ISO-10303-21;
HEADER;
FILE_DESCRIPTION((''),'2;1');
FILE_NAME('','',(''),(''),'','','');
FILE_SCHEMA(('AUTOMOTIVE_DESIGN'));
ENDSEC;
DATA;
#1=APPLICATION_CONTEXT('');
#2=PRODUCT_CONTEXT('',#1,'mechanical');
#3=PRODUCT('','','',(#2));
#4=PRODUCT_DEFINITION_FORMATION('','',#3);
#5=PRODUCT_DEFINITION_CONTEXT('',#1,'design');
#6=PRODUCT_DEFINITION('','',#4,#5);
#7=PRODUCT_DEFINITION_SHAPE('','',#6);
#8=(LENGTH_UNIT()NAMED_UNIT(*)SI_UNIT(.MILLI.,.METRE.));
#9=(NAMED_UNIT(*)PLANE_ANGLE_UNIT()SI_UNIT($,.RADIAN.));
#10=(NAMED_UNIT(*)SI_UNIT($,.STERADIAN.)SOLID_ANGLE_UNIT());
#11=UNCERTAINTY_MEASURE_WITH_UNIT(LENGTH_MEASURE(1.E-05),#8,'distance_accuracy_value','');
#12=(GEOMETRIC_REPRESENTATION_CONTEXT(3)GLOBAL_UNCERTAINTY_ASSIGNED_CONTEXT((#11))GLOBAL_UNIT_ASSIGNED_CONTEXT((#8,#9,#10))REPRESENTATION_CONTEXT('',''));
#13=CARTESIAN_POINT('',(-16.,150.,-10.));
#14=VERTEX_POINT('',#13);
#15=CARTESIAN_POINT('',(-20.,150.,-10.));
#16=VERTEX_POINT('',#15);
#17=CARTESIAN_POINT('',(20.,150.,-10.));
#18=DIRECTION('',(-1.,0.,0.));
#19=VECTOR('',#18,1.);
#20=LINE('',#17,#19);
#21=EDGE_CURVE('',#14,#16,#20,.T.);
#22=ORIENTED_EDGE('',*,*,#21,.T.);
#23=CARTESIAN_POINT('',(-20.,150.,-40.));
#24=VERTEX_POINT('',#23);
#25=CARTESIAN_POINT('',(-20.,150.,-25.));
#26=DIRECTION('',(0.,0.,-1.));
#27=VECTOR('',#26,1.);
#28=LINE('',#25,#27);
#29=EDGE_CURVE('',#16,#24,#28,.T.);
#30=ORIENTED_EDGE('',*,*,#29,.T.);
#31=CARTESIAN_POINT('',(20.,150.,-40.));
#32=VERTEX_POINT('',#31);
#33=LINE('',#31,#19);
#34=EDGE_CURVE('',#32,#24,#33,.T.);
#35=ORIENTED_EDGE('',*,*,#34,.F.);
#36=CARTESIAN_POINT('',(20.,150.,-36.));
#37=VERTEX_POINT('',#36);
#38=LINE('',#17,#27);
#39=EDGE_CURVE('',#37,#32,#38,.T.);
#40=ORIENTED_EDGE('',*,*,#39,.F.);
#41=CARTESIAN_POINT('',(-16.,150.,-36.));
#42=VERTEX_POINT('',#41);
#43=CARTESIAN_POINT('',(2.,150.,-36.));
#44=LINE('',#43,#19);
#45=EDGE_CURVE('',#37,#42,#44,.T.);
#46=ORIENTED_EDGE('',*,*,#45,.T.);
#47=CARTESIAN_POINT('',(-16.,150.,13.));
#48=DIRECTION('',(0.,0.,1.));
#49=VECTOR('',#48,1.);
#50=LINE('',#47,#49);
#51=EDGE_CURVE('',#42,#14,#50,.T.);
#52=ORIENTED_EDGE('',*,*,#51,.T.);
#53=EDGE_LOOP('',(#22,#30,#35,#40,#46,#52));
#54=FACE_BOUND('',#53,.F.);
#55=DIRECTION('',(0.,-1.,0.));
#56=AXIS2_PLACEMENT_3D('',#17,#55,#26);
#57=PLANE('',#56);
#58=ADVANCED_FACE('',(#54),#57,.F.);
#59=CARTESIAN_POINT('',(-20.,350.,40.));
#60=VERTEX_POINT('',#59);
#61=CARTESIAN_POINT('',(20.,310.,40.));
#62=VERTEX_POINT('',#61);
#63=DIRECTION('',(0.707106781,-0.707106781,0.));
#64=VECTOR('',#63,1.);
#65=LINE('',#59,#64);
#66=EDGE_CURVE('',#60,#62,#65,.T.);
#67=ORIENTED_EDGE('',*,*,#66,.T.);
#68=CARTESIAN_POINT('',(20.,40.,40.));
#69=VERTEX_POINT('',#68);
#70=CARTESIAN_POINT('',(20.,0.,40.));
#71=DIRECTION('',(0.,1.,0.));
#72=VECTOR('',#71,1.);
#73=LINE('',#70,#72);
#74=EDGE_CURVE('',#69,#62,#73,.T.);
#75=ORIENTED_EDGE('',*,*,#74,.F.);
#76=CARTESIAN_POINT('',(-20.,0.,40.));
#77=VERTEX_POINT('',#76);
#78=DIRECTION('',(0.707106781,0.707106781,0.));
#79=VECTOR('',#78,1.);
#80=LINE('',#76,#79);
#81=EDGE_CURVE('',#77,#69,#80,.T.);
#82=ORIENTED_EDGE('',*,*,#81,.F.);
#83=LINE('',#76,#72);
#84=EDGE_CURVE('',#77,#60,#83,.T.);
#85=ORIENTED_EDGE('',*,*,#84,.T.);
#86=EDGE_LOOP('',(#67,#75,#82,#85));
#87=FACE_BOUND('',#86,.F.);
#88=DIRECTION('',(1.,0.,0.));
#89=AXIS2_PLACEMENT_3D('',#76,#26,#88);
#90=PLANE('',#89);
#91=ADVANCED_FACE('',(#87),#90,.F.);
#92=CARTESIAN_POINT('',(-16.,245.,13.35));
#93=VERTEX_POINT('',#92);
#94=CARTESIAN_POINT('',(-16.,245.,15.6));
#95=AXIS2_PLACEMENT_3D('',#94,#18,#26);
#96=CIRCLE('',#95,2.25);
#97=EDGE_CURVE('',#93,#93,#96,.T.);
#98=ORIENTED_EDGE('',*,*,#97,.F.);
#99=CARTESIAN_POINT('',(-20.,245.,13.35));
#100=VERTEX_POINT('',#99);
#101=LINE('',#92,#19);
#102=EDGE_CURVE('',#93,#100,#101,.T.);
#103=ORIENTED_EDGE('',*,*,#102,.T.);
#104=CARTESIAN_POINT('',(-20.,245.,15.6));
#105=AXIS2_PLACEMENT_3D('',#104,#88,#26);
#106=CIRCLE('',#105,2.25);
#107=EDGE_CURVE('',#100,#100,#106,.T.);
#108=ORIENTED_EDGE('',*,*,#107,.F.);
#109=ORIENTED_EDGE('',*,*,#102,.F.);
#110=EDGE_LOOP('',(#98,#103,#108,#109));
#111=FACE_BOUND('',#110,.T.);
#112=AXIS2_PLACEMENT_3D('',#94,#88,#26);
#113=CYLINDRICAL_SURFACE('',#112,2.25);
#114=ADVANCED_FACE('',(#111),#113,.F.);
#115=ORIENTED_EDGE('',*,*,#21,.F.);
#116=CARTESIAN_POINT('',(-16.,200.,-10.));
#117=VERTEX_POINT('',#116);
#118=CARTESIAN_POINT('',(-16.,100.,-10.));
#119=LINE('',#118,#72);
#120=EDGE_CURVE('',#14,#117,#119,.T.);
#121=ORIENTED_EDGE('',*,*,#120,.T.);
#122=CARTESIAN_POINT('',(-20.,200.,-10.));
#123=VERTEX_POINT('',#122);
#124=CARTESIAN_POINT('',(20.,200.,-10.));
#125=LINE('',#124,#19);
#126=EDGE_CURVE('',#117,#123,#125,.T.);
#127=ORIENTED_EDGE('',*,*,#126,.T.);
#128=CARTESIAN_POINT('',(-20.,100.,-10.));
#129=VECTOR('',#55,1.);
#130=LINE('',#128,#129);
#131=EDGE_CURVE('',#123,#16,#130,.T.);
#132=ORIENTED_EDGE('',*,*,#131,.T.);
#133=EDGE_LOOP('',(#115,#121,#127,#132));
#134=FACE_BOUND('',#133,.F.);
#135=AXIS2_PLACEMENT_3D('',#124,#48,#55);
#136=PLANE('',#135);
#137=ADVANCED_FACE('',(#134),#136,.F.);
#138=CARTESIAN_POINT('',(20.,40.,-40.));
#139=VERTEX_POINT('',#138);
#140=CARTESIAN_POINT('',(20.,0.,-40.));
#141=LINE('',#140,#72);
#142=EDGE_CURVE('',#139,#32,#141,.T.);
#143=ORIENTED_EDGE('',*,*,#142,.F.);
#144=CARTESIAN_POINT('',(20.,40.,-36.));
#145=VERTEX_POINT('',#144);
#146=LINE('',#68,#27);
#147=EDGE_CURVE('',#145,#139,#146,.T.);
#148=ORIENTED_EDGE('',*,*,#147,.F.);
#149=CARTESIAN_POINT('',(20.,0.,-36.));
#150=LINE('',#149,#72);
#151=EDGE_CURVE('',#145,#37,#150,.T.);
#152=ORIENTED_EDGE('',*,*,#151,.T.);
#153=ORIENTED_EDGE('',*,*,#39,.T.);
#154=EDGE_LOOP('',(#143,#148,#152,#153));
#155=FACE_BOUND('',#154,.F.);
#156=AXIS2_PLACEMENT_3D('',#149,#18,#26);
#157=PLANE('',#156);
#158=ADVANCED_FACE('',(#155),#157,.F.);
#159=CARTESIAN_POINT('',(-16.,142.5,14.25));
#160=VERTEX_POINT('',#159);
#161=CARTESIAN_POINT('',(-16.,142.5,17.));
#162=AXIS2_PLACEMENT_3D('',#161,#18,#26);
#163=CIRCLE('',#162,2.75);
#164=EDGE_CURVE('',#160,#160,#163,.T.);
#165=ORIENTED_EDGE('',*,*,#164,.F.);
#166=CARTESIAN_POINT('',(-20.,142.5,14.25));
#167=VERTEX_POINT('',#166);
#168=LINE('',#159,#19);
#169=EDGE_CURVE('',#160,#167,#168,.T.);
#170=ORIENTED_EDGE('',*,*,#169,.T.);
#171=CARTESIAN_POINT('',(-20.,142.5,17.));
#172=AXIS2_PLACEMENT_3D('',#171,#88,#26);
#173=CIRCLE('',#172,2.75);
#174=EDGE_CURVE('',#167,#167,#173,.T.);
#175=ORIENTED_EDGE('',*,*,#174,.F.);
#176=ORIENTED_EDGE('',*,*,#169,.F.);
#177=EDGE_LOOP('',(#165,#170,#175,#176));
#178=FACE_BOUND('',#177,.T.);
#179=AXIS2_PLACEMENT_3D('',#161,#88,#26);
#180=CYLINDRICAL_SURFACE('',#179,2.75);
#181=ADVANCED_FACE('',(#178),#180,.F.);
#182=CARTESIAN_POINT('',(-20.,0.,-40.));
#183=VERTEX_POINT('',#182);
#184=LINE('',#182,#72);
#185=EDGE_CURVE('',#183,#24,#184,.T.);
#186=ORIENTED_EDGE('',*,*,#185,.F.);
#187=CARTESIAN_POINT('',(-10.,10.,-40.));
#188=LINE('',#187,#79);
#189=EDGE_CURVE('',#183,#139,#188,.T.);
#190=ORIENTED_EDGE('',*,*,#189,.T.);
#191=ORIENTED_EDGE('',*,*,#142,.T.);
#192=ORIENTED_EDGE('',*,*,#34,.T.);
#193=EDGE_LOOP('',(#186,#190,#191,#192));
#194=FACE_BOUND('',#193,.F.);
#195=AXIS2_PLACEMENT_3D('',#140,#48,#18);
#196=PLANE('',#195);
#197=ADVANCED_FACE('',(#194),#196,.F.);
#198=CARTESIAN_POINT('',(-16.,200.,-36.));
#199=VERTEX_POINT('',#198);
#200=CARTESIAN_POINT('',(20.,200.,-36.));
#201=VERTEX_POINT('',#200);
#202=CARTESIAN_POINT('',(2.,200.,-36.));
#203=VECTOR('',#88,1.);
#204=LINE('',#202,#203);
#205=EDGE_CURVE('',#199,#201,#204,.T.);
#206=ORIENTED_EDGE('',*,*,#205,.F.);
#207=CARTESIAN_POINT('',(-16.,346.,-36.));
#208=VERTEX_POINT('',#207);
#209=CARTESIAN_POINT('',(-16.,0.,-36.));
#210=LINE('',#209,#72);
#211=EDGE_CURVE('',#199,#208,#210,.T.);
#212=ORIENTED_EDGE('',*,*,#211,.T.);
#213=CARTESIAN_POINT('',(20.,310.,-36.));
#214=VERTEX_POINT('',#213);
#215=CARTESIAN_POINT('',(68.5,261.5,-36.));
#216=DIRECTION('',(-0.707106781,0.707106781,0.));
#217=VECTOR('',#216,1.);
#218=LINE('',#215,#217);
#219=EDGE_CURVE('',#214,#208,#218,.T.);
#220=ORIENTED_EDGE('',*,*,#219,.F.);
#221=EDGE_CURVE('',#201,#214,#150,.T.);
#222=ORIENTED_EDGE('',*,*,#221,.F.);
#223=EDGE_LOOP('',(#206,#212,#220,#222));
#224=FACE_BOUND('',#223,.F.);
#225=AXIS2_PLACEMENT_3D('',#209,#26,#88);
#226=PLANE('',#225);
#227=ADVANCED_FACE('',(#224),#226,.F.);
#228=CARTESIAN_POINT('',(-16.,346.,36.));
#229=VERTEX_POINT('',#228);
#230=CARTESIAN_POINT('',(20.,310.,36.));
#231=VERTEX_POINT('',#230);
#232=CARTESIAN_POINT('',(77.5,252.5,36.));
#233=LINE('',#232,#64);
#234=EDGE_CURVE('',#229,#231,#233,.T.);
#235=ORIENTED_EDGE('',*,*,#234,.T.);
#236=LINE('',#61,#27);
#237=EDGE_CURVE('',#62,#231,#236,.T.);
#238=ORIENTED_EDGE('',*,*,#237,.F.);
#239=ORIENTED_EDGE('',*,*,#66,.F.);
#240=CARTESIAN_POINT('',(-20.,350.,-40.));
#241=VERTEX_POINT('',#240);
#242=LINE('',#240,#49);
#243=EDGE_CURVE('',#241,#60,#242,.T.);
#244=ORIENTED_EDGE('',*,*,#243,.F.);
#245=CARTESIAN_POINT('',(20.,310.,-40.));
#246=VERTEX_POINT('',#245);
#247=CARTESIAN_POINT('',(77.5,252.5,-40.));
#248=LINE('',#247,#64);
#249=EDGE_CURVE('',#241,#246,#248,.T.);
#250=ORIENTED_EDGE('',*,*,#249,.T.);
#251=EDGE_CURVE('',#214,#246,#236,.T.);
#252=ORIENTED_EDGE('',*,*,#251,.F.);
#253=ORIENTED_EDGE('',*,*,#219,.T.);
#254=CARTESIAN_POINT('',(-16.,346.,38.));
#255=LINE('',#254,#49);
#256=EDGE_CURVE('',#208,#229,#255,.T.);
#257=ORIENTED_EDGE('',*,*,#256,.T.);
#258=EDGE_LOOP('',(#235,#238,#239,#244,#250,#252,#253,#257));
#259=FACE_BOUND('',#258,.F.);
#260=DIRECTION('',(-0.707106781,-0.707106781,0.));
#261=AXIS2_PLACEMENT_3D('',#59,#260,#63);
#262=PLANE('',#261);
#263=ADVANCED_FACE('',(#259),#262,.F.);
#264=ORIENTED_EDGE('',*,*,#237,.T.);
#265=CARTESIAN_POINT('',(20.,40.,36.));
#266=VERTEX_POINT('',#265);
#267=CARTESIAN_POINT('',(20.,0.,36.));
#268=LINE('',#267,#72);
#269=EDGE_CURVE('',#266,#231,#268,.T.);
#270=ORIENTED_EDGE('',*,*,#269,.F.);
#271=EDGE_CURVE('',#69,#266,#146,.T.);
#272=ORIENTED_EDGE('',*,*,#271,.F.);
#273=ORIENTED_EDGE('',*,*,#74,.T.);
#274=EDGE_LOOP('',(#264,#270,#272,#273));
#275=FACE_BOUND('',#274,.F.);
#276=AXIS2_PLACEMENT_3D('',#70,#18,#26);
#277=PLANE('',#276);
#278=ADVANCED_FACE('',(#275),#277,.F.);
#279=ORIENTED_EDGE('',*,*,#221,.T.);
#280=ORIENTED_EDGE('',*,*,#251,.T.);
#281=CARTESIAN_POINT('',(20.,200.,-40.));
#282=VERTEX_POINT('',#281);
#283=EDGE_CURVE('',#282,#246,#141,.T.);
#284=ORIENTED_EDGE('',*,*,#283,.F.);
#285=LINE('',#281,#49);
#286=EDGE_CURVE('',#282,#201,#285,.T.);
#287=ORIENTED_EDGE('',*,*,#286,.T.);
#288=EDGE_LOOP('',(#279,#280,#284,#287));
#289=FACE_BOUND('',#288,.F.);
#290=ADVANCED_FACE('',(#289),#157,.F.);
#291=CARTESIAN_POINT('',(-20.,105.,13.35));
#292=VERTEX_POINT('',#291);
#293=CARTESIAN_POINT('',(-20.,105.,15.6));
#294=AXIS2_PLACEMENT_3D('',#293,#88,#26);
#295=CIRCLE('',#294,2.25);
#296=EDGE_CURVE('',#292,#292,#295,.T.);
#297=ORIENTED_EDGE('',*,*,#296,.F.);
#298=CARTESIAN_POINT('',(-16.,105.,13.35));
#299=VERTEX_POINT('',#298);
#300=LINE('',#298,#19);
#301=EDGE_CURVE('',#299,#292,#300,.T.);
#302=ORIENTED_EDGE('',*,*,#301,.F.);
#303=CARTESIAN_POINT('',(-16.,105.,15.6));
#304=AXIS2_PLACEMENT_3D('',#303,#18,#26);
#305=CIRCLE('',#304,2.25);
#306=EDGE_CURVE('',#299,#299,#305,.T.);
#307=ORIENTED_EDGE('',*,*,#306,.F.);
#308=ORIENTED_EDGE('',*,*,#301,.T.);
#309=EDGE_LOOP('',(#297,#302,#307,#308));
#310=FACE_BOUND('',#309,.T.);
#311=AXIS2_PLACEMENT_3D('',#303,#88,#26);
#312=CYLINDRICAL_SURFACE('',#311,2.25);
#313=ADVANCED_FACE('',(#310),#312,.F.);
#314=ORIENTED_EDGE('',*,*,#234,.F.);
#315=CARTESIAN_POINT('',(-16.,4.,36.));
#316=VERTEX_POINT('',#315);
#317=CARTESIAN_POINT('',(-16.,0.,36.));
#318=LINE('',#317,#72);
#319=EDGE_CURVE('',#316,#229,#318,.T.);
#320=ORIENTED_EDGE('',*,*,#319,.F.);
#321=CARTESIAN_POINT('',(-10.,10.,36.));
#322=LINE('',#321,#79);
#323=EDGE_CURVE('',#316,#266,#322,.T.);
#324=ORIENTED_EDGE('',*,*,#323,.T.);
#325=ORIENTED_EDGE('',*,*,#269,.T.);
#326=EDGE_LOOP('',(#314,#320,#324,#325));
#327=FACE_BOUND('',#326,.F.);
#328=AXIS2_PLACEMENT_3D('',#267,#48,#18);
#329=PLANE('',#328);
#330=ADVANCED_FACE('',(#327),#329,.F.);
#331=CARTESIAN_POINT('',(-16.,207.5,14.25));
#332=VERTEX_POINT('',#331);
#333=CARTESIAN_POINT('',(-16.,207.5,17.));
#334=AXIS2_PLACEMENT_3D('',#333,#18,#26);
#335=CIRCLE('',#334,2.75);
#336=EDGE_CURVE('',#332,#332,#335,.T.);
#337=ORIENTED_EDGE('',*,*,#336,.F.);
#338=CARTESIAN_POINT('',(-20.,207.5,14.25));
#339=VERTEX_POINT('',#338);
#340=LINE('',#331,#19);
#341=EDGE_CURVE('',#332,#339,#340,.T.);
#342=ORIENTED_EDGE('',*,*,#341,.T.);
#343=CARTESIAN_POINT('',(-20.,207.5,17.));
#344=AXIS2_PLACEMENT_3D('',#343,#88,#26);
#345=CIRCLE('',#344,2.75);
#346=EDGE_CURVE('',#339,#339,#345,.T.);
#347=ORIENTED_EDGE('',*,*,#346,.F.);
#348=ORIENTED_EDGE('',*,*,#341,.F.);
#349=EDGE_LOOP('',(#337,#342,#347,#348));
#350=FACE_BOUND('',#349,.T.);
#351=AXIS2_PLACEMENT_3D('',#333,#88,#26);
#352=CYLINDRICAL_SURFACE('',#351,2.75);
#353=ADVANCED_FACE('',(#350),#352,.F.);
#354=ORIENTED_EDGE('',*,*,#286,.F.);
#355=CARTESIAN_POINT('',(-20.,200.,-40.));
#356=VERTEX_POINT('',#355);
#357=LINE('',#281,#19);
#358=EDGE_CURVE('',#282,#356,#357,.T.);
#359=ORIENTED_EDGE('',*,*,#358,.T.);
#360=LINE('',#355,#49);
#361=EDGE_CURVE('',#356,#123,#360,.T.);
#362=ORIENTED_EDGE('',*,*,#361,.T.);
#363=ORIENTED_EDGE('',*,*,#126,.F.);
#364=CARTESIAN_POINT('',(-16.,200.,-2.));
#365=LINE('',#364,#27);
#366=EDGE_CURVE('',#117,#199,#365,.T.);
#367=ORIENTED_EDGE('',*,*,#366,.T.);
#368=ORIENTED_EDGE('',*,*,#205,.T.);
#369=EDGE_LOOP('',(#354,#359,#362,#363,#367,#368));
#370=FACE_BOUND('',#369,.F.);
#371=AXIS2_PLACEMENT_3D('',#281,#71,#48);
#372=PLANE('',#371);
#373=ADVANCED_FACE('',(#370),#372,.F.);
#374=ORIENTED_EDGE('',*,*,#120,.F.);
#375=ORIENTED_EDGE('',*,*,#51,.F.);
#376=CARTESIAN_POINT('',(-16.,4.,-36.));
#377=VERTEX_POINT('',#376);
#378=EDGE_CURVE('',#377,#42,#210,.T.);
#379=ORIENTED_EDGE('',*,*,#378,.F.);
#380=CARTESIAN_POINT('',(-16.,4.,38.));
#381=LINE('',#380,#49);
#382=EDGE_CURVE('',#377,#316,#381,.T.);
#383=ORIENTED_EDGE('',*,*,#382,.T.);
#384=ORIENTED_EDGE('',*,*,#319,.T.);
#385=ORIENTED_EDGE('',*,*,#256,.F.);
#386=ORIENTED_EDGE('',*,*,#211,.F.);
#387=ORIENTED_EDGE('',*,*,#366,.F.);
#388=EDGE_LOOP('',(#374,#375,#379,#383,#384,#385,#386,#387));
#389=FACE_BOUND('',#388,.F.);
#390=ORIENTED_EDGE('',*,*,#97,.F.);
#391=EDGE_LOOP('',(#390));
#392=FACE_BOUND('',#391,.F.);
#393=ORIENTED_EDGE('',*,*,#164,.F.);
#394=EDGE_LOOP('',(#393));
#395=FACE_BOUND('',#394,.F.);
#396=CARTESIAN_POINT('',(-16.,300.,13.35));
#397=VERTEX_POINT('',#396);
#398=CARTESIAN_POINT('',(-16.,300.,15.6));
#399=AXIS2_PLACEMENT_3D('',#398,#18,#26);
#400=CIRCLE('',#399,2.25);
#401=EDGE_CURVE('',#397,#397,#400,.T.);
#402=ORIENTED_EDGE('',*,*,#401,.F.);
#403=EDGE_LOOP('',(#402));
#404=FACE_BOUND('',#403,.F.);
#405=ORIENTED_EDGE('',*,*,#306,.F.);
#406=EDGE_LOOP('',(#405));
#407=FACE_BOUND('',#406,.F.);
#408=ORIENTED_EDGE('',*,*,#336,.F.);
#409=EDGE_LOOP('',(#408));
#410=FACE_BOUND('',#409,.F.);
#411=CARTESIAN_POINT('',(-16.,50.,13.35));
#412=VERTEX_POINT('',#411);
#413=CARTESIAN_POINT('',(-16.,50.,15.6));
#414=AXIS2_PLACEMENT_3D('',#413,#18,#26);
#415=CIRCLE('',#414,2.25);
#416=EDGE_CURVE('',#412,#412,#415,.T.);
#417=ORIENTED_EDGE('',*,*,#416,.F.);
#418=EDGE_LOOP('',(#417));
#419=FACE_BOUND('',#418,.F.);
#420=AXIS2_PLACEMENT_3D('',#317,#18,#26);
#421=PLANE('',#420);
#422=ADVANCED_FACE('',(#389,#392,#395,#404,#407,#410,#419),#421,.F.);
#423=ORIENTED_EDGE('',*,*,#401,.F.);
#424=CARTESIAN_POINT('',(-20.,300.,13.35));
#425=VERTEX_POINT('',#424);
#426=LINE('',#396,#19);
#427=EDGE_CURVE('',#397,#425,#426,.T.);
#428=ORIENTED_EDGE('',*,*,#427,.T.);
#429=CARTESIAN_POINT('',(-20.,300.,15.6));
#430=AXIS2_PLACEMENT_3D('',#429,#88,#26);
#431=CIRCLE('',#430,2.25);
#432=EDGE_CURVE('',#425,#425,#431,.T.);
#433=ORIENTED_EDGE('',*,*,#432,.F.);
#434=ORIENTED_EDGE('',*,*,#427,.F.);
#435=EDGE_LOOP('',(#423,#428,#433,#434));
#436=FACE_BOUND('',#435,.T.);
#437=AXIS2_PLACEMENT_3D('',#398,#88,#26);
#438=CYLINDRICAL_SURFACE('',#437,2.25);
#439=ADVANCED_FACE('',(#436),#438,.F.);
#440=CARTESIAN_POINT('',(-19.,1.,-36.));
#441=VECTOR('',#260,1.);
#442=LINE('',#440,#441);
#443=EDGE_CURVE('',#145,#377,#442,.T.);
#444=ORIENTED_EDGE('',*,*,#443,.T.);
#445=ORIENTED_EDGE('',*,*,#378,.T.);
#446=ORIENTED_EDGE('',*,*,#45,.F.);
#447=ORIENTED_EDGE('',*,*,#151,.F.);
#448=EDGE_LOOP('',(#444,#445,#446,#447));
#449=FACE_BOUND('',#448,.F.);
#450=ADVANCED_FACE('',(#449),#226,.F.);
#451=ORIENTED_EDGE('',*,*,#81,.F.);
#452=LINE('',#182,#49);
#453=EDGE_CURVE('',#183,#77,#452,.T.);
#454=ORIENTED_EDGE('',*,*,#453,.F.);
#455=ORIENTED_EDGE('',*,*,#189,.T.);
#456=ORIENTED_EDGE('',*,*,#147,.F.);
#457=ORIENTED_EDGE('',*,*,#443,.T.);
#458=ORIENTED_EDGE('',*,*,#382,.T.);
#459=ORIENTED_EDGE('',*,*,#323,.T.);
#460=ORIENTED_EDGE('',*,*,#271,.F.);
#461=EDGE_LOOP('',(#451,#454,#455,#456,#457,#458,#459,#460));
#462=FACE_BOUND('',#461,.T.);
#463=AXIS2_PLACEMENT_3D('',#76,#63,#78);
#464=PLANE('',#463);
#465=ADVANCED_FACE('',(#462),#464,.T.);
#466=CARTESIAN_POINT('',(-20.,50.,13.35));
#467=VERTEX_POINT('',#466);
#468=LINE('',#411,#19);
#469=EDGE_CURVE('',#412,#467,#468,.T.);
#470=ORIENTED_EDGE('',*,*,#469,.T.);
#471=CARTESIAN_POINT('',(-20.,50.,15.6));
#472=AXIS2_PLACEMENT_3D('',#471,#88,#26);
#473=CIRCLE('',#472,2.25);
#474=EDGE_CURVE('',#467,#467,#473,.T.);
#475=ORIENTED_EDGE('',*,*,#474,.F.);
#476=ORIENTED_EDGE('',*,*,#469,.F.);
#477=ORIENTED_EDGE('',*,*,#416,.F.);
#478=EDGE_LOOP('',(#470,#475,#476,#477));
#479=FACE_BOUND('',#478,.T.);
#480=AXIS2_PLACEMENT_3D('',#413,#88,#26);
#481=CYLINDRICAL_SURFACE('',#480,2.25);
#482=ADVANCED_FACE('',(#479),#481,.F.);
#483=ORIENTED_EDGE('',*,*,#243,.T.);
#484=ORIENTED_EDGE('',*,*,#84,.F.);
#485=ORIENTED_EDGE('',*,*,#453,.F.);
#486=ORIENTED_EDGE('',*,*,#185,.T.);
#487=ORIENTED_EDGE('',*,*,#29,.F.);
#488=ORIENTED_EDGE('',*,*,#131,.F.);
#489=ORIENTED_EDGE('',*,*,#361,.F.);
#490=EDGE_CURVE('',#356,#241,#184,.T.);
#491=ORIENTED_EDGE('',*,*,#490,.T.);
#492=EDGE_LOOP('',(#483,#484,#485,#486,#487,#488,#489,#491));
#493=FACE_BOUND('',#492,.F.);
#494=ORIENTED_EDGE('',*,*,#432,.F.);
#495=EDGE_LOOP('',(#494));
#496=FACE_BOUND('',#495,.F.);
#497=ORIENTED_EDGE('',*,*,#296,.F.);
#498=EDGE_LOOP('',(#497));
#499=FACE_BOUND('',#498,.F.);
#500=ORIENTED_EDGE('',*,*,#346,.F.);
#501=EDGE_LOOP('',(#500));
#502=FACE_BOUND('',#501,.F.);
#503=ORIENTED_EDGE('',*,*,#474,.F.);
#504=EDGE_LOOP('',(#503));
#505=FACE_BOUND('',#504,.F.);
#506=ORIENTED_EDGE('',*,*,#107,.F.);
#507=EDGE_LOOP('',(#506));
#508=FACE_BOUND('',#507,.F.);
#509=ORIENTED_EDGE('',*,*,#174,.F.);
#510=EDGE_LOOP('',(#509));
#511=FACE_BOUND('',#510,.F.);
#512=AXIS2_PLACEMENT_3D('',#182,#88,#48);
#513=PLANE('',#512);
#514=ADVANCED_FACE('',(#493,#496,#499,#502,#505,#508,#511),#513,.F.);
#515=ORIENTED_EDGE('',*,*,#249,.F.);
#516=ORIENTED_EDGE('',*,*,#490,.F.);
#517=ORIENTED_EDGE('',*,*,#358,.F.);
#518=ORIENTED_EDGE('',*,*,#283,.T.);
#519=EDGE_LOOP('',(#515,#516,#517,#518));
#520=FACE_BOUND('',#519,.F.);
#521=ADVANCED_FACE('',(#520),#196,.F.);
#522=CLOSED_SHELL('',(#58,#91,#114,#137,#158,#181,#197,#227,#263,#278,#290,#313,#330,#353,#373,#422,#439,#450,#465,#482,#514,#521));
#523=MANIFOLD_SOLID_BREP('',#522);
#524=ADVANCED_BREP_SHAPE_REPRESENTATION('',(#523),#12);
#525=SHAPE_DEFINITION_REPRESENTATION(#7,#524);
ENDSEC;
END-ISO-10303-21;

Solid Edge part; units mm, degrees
sketch "Sketch1" plane through (0, 0, 0) normal (0, -1, 0) x (1, 0, 0)
  line L0 (20, 36) -> (-16, 36)
  line L1 (-16, 36) -> (-16, -36)
  line L2 (-16, -36) -> (20, -36)
  line L3 (20, -36) -> (20, -40)
  line L4 (20, -40) -> (-20, -40)
  line L5 (-20, -40) -> (-20, 40)
  line L6 (-20, 40) -> (20, 40)
  line L7 (20, 40) -> (20, 36)
  dimension "D1" = 80
  dimension "D2" = 40
  dimension "D3" = 4
  dimension "D4" = 4
extrude "Protrusion1" add sketch "Sketch1" against normal blind 350
sketch "Sketch2" plane through (0, 175, 40) normal (0, 0, 1) x (0, 1, 0)
  line L0 (-175, 20) -> (-135, -20)
extrude "Cutout1" cut sketch "Sketch2" against normal through all material side at (0.0354, 19.9646, 40)
sketch "Sketch3" plane through (0, 175, 40) normal (0, 0, 1) x (0, 1, 0)
  line L0 (175, 20) -> (135, -20)
extrude "Cutout2" cut sketch "Sketch3" against normal through all material side at (0.0354, 330.0354, 40)
hole "Bohrung_1" at (-16, 142.5, 17) direction (-1, 0, 0) diameter 5.5 end up to next
hole "Hole1" at (-16, 207.5, 17) direction (-1, 0, 0) diameter 5.5 end up to next
hole "Bohrung_3" at (-16, 50, 15.6) direction (-1, 0, 0) diameter 4.5 end up to next
hole "Hole2" at (-16, 105, 15.6) direction (-1, 0, 0) diameter 4.5 end up to next
hole "Hole3" at (-16, 245, 15.6) direction (-1, 0, 0) diameter 4.5 end up to next
hole "Hole4" at (-16, 300, 15.6) direction (-1, 0, 0) diameter 4.5 end up to next
sketch "Sketch4" plane through (20, 175, -38) normal (1, 0, 0) x (0, 1, 0)
  line L0 (-25, -2) -> (25, -2)
  line L1 (25, -2) -> (25, 28)
  line L2 (25, 28) -> (-25, 28)
  line L3 (-25, 28) -> (-25, -2)
  dimension "D1" = 50
  dimension "D2" = 30
extrude "Cutout3" cut sketch "Sketch4" against normal through all
